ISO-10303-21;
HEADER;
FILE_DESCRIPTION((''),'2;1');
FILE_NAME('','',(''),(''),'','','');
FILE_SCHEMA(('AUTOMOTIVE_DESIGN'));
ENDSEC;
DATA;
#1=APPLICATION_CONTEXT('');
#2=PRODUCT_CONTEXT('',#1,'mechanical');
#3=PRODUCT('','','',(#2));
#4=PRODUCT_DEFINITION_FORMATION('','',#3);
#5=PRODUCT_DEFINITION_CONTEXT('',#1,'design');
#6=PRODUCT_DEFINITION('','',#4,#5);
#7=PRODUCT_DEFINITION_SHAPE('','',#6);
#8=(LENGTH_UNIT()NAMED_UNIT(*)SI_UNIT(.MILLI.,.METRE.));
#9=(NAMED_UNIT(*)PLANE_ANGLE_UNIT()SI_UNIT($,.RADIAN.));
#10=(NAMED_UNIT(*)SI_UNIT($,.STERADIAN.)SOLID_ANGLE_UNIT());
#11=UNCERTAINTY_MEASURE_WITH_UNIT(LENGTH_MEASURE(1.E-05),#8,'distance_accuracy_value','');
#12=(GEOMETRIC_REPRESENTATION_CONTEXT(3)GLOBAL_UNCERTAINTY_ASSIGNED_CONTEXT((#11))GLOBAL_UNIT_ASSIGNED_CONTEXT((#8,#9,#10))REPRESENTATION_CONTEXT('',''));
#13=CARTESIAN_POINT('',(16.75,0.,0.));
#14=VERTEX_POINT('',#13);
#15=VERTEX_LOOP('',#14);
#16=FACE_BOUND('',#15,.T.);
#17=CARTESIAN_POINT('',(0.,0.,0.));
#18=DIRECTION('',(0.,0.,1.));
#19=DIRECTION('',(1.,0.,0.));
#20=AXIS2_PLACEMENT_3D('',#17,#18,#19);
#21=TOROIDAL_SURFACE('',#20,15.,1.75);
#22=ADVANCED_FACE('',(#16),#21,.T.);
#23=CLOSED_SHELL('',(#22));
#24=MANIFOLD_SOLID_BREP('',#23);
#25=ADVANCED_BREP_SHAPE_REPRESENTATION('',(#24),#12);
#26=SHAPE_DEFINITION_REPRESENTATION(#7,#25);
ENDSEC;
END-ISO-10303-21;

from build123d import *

# Parameters (mm, degrees)
ESQUISSE1_R = 1.75


with BuildPart() as part:
    # Esquisse1 → Révolution1 (revolve)
    with BuildSketch(Plane(origin=(0, 0, 0), x_dir=(1, 0, 0), z_dir=(0, 1, 0))):
        with Locations((-15, 0)):
            Circle(ESQUISSE1_R)
    revolve(axis=Axis((0, 0, 0), (0, 0, -1)))


solid = part.part
